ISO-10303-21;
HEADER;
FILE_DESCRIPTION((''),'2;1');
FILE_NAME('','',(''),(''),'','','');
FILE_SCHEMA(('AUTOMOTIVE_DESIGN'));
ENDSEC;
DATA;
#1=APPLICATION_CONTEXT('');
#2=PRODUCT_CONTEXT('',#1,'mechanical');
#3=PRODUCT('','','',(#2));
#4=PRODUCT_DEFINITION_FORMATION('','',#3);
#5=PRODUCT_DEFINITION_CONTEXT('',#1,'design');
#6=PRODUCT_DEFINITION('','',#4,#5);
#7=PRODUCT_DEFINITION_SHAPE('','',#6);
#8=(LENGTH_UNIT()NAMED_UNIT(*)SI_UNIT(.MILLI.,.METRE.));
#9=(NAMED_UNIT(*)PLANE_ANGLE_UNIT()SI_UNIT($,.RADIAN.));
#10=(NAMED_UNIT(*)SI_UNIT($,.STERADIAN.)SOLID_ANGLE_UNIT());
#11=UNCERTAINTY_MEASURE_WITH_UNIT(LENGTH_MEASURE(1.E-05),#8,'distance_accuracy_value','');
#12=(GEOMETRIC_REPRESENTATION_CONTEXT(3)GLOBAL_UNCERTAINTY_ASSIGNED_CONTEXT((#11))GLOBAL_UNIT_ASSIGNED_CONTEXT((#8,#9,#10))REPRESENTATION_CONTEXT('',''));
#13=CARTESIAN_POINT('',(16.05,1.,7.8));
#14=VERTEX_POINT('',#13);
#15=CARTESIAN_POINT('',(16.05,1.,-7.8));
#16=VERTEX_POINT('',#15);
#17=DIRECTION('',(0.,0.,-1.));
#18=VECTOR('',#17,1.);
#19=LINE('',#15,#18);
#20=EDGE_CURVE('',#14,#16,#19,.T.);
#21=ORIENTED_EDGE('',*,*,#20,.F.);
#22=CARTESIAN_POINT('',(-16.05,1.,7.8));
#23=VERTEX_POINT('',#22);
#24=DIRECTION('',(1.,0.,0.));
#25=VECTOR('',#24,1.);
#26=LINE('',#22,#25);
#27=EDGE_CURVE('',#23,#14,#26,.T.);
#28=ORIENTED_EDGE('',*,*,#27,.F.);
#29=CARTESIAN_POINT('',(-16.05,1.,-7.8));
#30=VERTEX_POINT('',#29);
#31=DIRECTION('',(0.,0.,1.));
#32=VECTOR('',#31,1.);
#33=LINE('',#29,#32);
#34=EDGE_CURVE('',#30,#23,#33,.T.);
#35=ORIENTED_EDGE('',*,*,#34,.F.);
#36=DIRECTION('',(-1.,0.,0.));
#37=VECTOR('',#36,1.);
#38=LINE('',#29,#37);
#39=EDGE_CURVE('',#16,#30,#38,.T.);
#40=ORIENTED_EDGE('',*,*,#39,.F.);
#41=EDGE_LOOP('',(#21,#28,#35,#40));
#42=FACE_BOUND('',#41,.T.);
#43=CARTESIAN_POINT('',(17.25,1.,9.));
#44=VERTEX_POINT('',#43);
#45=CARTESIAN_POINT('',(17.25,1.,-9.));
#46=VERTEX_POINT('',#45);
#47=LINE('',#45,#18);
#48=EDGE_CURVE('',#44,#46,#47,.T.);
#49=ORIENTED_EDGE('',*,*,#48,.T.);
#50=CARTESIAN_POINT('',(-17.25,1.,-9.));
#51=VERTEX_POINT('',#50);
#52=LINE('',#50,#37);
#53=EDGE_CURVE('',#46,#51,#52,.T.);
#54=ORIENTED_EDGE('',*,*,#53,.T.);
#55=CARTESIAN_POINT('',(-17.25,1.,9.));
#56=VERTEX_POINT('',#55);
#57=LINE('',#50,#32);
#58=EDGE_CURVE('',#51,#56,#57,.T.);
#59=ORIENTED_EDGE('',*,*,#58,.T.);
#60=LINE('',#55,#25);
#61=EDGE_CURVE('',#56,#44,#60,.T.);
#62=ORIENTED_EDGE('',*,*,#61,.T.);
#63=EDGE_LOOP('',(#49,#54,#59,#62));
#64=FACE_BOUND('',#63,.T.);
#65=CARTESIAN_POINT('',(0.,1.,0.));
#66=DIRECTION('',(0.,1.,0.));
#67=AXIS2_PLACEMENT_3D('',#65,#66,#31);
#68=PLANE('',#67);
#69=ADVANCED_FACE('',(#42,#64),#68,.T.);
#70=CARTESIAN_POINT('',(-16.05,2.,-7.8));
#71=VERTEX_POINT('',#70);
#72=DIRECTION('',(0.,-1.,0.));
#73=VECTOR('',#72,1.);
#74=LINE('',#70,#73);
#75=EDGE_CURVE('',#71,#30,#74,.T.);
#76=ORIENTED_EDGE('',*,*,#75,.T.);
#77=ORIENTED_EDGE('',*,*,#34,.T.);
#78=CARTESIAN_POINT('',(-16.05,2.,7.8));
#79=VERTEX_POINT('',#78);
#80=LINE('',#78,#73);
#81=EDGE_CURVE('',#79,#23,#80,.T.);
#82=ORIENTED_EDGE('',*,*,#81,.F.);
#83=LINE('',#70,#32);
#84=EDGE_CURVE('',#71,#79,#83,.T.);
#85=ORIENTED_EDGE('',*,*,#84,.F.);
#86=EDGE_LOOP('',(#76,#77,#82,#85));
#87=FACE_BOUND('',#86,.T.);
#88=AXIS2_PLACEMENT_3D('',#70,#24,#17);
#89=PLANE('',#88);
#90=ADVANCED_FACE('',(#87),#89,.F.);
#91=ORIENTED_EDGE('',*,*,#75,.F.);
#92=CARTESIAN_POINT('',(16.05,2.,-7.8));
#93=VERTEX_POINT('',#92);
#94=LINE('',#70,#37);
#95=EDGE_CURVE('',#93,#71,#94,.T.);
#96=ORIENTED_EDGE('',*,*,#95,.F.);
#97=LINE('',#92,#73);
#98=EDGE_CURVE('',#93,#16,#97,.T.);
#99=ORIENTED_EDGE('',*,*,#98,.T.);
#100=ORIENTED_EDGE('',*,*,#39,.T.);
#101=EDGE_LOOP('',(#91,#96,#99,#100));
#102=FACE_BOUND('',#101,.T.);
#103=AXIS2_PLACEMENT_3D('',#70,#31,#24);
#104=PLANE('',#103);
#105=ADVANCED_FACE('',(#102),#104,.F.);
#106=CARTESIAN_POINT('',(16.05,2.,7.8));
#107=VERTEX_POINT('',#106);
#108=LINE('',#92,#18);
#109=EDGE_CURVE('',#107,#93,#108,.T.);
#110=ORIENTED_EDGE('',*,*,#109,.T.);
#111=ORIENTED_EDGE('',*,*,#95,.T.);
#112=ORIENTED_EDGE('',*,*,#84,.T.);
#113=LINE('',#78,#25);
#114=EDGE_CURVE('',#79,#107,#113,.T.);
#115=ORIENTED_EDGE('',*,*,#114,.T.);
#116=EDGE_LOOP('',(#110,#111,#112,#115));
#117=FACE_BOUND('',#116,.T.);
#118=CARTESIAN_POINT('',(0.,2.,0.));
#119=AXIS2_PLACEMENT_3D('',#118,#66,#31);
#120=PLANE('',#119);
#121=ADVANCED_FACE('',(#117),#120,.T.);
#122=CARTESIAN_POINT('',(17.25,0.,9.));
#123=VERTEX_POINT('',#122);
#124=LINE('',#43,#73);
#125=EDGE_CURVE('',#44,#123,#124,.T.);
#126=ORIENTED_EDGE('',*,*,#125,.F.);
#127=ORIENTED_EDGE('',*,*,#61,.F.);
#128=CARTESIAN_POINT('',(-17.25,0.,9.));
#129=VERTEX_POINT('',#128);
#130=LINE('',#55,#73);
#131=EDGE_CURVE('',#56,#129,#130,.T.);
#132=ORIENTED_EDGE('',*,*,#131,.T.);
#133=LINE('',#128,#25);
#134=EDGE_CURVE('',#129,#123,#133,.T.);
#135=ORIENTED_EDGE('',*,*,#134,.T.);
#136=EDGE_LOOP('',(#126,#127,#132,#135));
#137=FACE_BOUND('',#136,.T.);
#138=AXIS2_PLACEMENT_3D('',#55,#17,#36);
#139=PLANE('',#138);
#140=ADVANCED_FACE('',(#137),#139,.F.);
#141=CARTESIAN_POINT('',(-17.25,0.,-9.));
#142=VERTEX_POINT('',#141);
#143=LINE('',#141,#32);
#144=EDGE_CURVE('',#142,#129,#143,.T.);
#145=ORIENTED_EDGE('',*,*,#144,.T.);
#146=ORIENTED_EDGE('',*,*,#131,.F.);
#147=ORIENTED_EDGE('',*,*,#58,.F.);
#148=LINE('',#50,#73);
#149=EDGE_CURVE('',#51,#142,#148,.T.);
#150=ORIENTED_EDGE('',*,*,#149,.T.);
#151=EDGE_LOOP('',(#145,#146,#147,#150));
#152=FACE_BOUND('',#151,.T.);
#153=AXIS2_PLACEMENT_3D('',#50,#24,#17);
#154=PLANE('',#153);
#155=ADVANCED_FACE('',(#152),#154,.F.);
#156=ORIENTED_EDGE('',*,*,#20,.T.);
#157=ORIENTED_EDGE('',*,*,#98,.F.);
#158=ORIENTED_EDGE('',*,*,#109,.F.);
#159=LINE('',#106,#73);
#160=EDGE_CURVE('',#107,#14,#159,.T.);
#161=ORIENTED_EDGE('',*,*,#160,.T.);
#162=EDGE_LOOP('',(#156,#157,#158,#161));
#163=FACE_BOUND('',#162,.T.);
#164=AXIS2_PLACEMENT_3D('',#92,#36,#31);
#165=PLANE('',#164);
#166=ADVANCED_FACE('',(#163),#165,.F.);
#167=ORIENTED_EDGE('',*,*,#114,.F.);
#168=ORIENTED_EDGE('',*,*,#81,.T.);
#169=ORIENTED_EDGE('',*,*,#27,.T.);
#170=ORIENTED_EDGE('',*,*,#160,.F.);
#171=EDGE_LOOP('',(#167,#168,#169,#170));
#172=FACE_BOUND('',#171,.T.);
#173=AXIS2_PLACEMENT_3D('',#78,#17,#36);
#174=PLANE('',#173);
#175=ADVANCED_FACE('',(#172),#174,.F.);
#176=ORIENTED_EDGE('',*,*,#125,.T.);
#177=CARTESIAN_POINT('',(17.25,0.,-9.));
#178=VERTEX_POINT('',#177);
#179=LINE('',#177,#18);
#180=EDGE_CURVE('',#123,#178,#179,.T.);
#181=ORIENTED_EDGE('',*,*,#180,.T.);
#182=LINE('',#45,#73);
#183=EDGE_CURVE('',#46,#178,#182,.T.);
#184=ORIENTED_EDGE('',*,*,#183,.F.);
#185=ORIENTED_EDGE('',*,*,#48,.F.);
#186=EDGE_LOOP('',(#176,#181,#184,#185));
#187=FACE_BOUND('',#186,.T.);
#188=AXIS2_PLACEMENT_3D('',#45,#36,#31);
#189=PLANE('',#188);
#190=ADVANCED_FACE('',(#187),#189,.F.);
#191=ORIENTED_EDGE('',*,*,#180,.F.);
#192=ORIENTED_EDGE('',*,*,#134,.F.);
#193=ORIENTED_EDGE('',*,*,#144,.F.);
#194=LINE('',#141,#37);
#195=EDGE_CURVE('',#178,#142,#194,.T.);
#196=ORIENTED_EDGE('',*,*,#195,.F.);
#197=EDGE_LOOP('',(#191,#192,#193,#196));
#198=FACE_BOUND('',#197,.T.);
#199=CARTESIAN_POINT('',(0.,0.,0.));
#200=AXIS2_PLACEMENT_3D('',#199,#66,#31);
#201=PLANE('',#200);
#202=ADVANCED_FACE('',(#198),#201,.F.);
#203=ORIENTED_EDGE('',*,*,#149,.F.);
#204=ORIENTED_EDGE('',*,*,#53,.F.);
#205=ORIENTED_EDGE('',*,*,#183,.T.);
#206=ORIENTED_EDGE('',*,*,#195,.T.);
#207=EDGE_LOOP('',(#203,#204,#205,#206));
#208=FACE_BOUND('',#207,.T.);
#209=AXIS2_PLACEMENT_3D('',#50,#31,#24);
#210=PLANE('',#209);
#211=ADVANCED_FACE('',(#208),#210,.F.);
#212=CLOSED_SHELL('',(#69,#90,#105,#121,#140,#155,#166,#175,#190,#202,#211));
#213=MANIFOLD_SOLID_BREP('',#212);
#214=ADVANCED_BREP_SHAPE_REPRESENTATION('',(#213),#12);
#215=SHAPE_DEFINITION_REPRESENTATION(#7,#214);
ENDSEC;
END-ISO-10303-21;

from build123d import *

# Parameters (mm, degrees)
SKETCH1_W           = 34.5
SKETCH1_H           = 18
BOSS_EXTRUDE1_DEPTH = 1
SKETCH2_W           = 32.1
SKETCH2_H           = 15.6
BOSS_EXTRUDE2_DEPTH = 1


with BuildPart() as part:
    # Sketch1 → Boss-Extrude1 (new body)
    with BuildSketch(Plane(origin=(0, 0, 0), x_dir=(1, 0, 0), z_dir=(0, 1, 0))):
        Rectangle(SKETCH1_W, SKETCH1_H)
    extrude(amount=BOSS_EXTRUDE1_DEPTH)

    # Sketch2 → Boss-Extrude2 (add)
    with BuildSketch(Plane(origin=(0, 1, 0), x_dir=(1, 0, 0), z_dir=(0, 1, 0))):
        Rectangle(SKETCH2_W, SKETCH2_H)
    extrude(amount=BOSS_EXTRUDE2_DEPTH)


solid = part.part
